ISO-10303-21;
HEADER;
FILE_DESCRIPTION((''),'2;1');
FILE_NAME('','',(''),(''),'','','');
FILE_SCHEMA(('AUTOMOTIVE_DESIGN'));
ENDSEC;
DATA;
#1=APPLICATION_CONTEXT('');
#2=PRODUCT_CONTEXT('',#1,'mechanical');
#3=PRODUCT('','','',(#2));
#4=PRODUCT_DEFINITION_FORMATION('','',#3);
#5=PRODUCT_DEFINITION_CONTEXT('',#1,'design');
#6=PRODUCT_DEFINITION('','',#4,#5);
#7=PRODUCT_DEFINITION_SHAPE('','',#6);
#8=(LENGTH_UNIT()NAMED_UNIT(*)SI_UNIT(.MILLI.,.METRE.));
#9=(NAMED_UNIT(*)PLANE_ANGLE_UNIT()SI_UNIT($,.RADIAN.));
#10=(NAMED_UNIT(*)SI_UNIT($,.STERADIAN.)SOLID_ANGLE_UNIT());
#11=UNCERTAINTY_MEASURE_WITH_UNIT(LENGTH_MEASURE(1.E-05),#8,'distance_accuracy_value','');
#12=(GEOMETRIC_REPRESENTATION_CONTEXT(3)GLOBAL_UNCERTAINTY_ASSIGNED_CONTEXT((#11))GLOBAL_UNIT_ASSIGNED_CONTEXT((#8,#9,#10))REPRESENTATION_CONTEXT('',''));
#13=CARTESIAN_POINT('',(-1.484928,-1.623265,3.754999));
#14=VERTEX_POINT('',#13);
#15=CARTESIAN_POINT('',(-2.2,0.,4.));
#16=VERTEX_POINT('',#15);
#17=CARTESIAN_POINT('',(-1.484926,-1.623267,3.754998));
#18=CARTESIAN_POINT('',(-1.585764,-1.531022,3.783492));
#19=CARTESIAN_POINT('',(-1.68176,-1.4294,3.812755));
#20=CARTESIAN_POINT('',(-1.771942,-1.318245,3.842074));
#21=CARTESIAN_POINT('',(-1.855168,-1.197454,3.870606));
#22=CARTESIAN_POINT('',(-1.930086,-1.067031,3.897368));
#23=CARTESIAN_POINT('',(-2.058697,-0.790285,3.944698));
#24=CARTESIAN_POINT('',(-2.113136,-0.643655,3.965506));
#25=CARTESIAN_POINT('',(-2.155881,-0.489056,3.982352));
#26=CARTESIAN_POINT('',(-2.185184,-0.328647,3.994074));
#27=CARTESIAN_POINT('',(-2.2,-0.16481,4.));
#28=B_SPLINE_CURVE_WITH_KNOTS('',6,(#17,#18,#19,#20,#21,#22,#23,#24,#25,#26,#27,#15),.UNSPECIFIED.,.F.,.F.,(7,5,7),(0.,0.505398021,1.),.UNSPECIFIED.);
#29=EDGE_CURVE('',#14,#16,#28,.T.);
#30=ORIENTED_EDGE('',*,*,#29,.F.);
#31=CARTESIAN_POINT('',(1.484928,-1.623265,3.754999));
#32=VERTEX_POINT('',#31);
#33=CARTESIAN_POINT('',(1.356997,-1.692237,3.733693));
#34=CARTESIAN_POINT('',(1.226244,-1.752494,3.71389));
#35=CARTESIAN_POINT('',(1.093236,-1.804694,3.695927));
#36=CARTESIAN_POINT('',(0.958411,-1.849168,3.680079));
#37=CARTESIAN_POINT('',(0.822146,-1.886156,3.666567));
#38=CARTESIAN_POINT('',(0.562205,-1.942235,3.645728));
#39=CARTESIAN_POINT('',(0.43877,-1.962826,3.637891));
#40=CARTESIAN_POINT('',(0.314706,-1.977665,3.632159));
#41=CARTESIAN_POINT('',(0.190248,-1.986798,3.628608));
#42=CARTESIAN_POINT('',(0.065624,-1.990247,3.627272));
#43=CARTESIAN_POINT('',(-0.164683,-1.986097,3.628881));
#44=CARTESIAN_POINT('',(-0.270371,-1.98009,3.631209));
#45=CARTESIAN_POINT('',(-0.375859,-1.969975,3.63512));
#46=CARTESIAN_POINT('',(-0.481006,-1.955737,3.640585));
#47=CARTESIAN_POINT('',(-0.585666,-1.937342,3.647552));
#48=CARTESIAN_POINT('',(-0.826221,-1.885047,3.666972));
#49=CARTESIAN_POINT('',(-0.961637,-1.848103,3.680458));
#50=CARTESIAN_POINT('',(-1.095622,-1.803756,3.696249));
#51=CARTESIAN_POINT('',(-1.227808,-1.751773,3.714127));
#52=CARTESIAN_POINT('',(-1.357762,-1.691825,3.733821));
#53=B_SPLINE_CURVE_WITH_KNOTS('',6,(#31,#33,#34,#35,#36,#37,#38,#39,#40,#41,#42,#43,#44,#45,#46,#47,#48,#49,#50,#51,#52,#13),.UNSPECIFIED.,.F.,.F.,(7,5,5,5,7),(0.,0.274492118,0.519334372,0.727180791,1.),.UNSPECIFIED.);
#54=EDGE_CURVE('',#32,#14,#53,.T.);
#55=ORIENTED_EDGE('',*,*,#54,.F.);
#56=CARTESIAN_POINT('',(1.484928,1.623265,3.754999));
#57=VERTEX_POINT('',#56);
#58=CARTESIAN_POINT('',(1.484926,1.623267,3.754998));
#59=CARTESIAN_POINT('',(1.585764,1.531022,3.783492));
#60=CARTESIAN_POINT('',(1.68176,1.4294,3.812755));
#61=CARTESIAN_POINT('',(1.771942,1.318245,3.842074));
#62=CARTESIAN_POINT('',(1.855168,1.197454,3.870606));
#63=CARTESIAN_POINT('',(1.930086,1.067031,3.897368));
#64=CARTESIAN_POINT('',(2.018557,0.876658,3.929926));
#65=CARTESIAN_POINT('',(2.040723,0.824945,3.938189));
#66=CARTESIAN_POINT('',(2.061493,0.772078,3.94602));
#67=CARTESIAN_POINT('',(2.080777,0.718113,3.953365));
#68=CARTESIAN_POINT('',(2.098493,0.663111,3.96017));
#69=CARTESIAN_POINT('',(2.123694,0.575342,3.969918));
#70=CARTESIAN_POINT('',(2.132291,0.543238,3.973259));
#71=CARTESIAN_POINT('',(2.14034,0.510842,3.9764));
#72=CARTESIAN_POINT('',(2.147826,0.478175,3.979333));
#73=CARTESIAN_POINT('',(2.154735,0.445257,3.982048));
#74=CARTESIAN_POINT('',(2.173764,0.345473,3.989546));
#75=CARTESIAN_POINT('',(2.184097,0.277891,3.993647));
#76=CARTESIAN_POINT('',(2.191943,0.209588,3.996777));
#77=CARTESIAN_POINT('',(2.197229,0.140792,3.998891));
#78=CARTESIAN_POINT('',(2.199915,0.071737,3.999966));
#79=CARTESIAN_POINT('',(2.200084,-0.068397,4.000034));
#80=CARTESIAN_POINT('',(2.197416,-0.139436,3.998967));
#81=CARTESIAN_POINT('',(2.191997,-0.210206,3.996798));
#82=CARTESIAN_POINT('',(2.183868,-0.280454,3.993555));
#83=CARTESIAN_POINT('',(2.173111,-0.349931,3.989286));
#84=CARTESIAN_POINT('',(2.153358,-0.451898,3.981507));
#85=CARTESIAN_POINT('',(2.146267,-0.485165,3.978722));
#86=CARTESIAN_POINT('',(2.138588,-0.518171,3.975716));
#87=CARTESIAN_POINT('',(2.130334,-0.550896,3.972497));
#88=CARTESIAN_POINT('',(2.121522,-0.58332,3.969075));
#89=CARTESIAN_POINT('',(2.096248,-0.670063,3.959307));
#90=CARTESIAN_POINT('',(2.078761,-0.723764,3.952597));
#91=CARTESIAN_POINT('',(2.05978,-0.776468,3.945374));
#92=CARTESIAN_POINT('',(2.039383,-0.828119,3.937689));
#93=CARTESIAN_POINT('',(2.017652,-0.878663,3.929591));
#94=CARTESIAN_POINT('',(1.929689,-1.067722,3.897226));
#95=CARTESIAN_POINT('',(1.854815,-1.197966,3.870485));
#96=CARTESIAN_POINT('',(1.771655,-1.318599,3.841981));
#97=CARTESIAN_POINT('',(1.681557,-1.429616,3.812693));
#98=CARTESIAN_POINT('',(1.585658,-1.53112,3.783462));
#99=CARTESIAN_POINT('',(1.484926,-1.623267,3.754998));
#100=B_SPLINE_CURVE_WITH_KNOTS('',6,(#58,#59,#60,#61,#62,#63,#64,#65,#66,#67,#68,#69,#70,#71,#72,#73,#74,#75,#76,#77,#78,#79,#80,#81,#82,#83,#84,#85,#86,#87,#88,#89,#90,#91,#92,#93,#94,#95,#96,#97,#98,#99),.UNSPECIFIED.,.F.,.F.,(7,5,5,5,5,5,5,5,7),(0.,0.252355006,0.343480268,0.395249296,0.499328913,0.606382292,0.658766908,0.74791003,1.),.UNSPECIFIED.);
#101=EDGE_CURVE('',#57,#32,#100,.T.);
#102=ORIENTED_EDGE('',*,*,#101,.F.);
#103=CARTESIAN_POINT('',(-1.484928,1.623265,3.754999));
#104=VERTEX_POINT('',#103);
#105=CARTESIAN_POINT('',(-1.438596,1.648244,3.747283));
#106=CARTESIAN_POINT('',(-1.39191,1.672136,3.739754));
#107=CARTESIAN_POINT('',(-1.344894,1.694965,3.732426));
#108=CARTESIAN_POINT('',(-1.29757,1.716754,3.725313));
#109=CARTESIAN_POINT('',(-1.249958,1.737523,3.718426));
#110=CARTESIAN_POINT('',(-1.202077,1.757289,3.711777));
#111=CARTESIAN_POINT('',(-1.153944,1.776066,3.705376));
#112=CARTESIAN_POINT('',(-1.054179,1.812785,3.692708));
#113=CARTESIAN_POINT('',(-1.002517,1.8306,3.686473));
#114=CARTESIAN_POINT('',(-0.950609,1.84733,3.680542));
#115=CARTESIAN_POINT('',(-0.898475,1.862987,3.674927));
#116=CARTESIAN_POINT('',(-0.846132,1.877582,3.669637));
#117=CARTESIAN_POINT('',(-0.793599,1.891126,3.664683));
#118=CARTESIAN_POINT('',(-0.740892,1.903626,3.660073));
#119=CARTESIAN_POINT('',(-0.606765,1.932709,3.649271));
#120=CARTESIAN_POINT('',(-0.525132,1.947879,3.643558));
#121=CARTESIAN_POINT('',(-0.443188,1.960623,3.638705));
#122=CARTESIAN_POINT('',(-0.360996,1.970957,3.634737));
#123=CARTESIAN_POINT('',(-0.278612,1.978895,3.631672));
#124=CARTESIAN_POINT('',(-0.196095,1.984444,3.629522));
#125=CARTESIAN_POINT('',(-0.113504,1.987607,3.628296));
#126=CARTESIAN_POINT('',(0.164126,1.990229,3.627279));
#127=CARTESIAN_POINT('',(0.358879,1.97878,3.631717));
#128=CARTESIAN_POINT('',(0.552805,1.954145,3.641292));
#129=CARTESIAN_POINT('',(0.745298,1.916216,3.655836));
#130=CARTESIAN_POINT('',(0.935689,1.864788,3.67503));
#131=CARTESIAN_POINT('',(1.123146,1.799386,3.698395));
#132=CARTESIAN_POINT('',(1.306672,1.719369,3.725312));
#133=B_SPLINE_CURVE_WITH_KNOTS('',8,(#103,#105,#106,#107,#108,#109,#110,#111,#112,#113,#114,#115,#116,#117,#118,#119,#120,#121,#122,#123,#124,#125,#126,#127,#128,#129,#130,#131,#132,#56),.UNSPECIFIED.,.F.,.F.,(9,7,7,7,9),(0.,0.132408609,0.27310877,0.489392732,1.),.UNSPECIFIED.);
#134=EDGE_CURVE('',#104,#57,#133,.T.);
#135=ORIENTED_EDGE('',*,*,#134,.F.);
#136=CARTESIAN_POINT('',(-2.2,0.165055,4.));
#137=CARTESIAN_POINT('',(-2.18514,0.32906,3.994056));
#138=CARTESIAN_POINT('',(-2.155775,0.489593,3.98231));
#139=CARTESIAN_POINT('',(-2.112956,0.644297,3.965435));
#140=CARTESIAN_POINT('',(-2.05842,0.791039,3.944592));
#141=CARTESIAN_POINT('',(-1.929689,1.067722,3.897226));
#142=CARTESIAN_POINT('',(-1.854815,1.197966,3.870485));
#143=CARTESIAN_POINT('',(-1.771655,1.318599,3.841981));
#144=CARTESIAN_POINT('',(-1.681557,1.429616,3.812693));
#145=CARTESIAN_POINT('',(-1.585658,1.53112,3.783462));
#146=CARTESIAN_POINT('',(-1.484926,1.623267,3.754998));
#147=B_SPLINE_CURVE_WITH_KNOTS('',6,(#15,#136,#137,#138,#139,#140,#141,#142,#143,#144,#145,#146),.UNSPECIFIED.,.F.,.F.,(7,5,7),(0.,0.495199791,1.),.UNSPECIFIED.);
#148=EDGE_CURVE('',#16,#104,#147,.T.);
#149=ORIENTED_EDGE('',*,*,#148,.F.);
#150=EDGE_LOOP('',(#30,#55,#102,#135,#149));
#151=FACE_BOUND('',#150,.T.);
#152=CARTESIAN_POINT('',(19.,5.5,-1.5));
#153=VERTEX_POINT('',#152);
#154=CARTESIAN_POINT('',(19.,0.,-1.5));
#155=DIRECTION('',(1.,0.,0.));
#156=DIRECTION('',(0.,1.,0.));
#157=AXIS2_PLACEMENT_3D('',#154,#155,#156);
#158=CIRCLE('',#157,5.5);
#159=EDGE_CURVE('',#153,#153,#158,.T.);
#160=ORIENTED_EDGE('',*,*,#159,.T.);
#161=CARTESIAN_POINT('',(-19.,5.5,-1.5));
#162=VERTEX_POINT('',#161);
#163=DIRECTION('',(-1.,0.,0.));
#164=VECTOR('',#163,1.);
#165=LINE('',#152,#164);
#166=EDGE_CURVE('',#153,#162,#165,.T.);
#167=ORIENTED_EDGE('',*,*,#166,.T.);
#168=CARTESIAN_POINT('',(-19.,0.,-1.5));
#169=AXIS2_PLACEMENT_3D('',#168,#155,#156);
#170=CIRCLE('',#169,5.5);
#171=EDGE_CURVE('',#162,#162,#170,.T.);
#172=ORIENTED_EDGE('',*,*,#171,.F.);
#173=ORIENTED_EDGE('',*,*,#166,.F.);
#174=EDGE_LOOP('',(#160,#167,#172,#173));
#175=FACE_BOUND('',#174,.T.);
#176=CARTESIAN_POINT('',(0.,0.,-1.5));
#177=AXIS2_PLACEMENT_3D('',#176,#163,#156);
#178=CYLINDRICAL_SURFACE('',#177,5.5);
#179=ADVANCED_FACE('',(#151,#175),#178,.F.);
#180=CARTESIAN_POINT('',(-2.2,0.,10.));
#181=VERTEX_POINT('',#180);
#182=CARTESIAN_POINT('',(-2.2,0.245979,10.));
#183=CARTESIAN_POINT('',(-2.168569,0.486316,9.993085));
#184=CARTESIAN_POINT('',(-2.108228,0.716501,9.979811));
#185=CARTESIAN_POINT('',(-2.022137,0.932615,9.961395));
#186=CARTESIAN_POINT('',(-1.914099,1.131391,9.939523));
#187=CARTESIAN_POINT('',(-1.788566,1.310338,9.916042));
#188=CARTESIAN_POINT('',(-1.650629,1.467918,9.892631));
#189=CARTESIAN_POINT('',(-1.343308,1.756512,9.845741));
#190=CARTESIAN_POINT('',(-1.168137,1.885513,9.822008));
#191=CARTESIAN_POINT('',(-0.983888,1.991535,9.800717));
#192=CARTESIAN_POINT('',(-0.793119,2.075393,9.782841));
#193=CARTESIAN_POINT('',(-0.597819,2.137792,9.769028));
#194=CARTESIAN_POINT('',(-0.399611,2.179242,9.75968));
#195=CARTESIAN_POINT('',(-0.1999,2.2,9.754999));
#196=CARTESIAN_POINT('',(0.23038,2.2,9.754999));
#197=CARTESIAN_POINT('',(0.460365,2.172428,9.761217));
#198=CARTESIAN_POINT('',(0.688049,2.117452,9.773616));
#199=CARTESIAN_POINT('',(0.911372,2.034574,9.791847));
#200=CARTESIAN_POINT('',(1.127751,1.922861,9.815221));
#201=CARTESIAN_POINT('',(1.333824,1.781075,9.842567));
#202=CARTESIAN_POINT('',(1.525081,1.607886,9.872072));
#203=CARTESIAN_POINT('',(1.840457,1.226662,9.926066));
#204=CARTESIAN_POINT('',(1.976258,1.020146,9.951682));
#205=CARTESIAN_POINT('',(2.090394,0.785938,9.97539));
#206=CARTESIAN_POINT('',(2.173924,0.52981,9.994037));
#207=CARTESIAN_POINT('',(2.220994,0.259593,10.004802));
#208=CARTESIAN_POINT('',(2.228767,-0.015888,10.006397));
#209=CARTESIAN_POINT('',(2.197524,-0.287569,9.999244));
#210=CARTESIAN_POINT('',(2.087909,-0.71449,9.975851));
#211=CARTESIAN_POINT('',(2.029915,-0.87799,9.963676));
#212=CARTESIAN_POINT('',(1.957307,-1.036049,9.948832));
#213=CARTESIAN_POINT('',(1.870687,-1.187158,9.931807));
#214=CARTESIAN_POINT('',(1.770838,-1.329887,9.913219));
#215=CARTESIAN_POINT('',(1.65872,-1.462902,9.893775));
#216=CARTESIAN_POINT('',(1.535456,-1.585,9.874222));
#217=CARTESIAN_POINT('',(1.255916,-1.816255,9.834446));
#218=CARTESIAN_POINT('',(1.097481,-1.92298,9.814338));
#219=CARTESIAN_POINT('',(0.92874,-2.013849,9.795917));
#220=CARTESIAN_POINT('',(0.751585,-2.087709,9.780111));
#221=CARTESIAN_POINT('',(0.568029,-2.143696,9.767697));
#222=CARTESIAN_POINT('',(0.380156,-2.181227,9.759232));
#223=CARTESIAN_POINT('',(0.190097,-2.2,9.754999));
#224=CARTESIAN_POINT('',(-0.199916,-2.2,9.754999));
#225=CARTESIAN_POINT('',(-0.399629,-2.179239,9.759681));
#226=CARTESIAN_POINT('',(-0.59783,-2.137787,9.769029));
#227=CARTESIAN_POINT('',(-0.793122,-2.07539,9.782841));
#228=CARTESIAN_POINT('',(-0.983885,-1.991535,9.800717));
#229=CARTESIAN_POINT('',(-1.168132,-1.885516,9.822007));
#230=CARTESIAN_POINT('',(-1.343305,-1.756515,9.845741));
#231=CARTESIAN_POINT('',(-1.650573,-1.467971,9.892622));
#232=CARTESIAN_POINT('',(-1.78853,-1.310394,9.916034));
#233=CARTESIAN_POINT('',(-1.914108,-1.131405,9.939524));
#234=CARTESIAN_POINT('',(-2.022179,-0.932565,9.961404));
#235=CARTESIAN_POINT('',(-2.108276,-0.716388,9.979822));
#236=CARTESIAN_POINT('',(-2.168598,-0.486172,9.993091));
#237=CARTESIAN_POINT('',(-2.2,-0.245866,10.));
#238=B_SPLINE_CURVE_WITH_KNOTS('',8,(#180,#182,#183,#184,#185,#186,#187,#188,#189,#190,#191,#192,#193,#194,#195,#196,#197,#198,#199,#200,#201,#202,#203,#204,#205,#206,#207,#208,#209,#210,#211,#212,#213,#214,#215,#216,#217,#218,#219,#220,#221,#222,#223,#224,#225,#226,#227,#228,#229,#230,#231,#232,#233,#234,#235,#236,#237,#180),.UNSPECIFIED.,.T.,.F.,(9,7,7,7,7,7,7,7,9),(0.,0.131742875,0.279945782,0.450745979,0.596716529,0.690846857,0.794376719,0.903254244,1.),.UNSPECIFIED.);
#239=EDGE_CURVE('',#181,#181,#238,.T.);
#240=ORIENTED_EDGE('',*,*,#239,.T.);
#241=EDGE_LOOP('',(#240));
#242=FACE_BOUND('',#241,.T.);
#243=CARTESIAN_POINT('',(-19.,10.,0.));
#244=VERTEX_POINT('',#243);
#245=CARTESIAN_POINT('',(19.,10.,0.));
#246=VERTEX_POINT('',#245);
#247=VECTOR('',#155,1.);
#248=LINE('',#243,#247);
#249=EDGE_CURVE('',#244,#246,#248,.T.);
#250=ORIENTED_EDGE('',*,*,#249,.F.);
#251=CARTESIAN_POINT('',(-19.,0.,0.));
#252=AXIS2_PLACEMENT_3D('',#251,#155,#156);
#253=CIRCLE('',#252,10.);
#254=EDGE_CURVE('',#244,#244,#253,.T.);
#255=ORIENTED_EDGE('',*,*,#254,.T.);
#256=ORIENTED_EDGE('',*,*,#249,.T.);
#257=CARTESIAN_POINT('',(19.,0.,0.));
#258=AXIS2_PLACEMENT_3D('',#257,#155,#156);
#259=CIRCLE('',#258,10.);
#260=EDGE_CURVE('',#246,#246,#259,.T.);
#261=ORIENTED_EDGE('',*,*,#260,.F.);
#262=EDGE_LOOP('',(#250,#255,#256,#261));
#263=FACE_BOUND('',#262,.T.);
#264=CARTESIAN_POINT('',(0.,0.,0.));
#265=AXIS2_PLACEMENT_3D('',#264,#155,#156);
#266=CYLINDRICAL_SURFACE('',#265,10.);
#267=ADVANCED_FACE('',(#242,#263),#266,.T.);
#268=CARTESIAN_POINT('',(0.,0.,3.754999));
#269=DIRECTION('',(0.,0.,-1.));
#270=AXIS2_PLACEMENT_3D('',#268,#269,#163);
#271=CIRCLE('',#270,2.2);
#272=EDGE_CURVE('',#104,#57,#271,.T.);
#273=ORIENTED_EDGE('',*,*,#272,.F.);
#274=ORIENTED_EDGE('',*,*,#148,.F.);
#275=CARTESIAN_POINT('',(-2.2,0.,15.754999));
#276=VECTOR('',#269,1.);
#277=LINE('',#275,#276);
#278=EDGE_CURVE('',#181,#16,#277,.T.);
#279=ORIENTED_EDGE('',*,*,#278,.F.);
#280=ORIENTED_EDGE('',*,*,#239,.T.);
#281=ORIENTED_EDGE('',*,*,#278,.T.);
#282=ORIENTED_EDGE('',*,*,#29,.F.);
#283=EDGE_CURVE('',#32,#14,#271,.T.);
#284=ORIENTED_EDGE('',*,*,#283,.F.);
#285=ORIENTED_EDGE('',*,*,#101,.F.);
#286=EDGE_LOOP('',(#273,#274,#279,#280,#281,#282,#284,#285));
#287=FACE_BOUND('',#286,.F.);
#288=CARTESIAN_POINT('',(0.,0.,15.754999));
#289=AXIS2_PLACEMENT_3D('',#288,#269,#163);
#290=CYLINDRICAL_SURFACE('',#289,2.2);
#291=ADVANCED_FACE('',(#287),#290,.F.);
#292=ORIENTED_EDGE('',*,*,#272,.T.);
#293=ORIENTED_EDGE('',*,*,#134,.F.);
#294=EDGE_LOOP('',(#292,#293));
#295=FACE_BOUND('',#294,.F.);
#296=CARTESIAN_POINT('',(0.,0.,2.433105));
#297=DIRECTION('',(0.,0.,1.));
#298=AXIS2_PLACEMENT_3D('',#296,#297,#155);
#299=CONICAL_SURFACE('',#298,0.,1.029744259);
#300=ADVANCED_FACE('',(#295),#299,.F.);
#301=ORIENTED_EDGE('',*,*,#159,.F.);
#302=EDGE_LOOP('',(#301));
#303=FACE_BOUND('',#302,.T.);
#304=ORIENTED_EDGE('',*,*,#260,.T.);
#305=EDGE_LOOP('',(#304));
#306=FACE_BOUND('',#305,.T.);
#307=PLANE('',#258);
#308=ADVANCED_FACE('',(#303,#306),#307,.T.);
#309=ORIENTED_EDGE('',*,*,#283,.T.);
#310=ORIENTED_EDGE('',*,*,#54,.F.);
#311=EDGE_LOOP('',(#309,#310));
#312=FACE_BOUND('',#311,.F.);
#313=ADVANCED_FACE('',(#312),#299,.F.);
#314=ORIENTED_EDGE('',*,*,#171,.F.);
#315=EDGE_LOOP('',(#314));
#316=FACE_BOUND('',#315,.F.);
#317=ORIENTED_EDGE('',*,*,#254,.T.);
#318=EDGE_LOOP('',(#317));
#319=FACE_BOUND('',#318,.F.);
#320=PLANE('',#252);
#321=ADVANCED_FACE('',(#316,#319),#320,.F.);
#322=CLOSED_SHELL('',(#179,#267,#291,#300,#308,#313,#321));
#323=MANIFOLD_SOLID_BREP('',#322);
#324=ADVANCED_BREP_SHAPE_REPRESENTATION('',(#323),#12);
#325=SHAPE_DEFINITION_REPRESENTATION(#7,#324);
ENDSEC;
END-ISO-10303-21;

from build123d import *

# Parameters (mm, degrees)
F0_R     = 10
F0_R_2   = 5.5
F1_DEPTH = 19
F4_D     = 4.4
F4_DEPTH = 6
F4_START = 0.2450014
F4_TIP   = 1.3218933619


with BuildPart() as f1:
    # F0 (on Right) → F1 (new body, symmetric)
    with BuildSketch(Plane.YZ):
        Circle(F0_R)
        with Locations((0, -1.5)):
            Circle(F0_R_2, mode=Mode.SUBTRACT)
    extrude(amount=F1_DEPTH, both=True)

    # F4
    # its depths count from where the whole tool has entered the part; down to there all is cleared
    with Locations(Plane.XY.offset(10).offset(-F4_START)):
        with Locations((0, 0)):
            Hole(F4_D / 2, depth=F4_DEPTH)
            with Locations((0, 0, -(F4_DEPTH + F4_TIP / 2))):  # 118° drill point
                Cone(0, F4_D / 2, F4_TIP, mode=Mode.SUBTRACT)


solid = f1.part
